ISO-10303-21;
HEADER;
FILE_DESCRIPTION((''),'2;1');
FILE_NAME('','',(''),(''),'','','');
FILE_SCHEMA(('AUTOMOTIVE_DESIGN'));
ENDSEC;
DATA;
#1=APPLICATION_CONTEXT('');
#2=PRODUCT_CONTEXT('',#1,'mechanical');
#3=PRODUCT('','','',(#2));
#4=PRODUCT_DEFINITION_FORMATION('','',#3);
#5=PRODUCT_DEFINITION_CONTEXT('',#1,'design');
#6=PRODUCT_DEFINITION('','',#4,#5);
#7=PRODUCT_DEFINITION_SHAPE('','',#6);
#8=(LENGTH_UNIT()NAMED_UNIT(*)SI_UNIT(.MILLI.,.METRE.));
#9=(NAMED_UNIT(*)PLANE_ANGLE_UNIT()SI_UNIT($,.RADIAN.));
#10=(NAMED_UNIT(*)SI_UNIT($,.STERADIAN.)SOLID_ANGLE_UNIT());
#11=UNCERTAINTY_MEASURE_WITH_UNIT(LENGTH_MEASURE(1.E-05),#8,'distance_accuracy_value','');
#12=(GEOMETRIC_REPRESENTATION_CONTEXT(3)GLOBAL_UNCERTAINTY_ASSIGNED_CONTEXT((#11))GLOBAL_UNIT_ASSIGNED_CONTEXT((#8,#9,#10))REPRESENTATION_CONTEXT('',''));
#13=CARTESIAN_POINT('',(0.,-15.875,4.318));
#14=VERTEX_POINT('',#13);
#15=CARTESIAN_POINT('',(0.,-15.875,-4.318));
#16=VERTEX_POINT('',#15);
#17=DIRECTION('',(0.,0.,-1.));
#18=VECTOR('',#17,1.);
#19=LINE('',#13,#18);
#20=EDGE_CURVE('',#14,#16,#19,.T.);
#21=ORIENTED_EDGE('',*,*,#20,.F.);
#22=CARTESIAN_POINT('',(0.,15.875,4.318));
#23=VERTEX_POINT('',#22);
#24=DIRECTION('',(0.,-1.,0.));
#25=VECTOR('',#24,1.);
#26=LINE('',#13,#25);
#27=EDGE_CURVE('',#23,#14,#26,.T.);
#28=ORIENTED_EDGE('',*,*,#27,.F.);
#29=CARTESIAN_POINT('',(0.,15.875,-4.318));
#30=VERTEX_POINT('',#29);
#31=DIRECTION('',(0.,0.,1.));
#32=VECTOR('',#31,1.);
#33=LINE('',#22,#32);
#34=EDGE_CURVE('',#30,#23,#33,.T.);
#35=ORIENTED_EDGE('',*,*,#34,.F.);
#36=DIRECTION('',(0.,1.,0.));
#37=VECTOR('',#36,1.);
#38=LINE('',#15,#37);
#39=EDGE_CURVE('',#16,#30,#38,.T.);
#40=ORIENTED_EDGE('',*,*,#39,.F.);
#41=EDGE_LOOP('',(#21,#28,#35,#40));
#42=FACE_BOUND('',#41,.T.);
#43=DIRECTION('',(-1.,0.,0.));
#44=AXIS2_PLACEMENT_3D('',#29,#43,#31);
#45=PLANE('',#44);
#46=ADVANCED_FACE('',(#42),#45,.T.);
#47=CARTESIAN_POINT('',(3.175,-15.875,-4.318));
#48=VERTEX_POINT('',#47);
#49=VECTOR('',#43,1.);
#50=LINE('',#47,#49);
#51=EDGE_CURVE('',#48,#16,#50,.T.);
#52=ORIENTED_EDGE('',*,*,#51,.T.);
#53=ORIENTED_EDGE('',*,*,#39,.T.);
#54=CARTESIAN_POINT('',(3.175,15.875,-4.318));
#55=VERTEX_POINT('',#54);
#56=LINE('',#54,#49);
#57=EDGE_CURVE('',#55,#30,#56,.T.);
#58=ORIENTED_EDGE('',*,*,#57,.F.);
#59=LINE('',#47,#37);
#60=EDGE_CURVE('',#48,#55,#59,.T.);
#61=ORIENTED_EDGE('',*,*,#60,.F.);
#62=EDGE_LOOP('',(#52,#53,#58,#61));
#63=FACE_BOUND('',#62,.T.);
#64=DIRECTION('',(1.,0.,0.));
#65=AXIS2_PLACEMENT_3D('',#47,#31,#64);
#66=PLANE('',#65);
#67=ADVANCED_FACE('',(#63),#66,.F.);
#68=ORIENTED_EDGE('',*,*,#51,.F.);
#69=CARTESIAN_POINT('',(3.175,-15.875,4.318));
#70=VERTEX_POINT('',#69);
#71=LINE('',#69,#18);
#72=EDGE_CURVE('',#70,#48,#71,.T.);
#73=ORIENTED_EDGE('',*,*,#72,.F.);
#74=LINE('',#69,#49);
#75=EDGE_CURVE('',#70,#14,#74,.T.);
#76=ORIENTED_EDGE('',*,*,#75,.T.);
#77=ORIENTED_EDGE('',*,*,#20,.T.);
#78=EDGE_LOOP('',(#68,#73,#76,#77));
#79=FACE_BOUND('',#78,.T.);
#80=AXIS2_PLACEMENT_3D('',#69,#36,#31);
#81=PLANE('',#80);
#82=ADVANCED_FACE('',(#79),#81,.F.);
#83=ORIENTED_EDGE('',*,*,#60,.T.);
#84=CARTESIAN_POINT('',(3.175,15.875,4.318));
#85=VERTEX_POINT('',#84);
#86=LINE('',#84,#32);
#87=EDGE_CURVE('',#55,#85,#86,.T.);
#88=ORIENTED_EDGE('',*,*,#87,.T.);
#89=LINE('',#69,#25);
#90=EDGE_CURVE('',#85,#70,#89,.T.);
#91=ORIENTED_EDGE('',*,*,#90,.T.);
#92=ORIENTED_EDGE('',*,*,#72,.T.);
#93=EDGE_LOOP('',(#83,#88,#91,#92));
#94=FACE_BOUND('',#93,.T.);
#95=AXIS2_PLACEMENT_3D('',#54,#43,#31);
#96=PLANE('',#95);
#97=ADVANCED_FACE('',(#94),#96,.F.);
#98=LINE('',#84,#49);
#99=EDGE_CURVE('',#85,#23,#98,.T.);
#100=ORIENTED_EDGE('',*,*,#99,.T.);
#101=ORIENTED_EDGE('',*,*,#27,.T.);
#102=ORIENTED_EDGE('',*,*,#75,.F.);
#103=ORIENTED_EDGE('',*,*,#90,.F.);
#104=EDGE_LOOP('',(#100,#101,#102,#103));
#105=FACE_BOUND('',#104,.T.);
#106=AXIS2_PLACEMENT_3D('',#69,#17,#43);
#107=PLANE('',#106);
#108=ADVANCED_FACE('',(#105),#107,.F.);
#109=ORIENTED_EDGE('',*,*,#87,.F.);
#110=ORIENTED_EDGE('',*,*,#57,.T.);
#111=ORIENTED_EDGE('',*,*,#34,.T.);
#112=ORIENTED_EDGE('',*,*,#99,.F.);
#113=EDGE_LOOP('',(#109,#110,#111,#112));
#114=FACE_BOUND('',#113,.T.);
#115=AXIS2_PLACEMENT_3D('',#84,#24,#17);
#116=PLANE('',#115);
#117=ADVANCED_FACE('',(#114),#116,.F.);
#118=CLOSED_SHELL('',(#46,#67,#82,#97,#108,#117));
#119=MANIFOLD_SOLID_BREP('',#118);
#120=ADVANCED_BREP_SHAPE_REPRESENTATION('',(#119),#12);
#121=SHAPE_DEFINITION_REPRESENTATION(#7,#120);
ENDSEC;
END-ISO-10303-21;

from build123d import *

# Parameters (mm, degrees)
SKETCH1_W           = 8.636
SKETCH1_H           = 31.75
BOSS_EXTRUDE1_DEPTH = 3.175


with BuildPart() as part:
    # Sketch1 → Boss-Extrude1 (new body)
    with BuildSketch(Plane(origin=(0, 0, 0), x_dir=(0, 0, -1), z_dir=(1, 0, 0))):
        Rectangle(SKETCH1_W, SKETCH1_H)
    extrude(amount=BOSS_EXTRUDE1_DEPTH)


solid = part.part
